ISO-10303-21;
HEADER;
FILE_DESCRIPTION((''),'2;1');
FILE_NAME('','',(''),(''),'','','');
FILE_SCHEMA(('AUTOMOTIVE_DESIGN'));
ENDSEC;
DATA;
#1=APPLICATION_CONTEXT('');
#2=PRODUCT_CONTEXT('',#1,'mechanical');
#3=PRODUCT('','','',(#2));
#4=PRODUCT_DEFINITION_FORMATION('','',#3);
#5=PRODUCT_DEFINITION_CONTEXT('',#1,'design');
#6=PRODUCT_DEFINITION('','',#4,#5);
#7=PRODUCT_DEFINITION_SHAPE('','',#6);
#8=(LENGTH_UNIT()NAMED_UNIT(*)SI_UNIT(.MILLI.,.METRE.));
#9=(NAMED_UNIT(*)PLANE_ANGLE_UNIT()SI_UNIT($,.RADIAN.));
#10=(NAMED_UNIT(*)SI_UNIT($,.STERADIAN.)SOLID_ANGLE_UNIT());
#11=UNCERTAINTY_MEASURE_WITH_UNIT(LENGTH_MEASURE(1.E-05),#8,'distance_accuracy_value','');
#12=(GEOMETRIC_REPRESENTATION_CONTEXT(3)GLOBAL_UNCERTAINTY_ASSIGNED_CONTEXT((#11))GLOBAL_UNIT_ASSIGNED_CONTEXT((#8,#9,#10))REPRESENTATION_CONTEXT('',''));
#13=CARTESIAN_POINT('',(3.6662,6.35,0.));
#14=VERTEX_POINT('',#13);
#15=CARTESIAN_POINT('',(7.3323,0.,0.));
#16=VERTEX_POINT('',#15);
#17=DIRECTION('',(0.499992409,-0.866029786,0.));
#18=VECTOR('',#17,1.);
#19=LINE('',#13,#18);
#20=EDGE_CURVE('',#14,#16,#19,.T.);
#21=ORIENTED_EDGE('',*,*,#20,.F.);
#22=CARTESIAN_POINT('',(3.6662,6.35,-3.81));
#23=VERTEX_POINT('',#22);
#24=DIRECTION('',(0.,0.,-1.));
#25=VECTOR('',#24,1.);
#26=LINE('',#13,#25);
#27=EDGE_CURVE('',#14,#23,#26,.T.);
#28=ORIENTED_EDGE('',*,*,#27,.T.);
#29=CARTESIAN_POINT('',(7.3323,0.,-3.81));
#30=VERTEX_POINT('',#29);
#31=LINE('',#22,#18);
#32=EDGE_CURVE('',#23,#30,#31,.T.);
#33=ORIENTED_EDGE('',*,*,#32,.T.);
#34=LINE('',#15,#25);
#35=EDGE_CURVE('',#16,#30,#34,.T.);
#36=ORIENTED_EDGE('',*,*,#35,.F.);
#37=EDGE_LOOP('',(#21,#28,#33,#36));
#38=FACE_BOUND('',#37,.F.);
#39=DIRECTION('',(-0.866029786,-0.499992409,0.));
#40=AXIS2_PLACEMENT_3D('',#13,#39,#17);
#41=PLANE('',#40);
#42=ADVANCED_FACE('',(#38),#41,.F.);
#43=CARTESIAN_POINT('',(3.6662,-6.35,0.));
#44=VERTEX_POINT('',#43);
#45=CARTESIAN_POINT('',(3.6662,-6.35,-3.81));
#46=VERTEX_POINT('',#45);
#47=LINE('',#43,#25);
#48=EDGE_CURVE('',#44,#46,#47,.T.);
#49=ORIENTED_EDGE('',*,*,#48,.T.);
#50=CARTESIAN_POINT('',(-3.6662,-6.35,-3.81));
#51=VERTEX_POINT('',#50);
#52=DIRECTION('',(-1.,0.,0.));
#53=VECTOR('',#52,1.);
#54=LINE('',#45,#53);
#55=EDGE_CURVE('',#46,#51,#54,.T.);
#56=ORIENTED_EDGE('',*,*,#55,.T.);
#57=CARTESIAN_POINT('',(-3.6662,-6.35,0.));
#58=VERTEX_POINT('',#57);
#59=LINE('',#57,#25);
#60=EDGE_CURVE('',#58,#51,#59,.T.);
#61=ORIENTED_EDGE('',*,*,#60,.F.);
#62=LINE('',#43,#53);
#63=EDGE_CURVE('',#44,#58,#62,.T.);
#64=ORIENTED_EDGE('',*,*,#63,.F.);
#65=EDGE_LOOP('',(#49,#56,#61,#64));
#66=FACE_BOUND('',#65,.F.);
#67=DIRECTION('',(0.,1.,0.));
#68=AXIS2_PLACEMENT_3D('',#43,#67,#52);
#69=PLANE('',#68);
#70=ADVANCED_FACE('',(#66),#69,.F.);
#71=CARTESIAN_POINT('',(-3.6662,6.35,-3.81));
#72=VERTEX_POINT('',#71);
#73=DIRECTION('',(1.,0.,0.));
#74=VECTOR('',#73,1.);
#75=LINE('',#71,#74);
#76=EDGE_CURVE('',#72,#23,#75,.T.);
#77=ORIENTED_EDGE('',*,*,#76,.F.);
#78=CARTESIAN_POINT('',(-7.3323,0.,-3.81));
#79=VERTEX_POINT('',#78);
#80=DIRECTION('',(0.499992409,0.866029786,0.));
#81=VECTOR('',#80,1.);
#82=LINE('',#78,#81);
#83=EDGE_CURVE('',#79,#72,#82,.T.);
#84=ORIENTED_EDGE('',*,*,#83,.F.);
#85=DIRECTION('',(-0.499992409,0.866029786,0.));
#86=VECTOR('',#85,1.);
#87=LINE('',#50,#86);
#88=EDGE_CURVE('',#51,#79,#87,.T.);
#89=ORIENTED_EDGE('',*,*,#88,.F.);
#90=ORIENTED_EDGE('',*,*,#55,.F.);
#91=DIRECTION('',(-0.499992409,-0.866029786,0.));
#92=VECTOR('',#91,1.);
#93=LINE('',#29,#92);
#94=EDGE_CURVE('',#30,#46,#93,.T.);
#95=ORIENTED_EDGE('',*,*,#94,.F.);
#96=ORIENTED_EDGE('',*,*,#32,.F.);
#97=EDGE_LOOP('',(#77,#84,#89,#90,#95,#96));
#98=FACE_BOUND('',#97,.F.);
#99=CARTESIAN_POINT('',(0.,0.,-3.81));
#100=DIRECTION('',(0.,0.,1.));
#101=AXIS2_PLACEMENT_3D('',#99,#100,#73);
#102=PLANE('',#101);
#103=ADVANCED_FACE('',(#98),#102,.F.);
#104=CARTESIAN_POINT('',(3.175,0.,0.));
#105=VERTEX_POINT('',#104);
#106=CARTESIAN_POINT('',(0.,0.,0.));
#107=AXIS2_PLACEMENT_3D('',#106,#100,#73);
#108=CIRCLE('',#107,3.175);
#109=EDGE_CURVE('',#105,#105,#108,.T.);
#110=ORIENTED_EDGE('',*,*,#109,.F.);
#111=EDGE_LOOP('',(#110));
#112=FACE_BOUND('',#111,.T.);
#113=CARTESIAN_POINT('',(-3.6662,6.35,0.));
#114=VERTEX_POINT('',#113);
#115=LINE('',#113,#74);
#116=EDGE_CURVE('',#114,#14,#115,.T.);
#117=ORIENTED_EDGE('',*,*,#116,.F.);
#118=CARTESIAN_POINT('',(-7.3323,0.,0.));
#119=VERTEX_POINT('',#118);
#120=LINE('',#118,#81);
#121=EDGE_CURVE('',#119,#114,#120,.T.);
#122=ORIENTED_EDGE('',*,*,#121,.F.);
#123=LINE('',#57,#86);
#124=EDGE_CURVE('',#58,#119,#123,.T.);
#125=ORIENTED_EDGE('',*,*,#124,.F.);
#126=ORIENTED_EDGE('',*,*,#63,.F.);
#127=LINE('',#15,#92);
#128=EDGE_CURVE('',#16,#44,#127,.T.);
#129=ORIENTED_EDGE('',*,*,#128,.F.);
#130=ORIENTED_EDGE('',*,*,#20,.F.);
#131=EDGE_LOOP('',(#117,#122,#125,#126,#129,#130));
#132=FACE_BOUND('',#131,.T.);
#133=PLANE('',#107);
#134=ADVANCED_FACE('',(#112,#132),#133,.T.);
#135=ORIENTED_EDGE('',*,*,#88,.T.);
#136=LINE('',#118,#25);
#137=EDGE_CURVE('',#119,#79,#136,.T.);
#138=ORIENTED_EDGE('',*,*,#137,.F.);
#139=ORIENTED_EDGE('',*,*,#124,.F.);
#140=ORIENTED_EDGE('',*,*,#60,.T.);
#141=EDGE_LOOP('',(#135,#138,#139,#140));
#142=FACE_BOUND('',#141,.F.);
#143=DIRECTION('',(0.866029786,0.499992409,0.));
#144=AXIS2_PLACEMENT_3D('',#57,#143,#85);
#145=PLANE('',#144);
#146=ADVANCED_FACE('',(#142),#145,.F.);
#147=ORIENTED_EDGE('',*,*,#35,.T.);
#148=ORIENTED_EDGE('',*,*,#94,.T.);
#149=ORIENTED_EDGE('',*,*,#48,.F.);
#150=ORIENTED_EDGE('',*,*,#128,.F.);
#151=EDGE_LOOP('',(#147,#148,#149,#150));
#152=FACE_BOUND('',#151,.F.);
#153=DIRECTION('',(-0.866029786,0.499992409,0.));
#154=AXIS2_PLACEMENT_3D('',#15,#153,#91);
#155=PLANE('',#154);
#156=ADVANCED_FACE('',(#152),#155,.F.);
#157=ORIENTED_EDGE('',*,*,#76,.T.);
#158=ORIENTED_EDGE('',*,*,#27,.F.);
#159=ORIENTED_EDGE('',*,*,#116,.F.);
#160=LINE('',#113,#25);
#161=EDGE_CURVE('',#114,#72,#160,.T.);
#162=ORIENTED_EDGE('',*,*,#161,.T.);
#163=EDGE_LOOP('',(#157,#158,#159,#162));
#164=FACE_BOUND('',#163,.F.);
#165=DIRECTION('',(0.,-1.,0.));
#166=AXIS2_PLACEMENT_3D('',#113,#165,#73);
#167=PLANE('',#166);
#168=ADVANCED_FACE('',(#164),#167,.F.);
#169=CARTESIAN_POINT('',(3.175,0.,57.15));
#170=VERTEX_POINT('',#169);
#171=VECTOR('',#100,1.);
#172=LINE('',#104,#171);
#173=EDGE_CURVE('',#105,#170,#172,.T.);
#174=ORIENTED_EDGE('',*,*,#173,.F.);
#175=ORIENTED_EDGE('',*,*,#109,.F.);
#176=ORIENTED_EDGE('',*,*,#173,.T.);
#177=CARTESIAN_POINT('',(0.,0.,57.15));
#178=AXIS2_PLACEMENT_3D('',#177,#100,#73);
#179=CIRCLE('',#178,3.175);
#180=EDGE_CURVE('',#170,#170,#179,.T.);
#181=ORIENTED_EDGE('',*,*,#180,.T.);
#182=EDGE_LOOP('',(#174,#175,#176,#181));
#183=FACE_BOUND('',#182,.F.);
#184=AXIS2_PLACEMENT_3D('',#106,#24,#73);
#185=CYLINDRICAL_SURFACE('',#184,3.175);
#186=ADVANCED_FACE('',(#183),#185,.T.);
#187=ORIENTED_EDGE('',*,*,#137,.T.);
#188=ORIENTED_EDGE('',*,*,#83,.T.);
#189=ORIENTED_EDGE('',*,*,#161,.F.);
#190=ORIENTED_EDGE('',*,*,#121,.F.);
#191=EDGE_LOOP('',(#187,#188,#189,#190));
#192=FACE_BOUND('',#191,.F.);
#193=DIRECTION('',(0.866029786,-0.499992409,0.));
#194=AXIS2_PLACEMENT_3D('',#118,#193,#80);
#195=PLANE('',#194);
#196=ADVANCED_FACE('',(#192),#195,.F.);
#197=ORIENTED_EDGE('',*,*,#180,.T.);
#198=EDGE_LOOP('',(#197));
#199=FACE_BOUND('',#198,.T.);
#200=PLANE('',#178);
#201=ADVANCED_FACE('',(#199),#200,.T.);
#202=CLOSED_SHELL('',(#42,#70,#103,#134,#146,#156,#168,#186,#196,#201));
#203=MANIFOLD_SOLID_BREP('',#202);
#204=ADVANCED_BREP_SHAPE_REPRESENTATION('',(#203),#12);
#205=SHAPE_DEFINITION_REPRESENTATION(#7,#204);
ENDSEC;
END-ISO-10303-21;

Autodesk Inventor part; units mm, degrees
ref_plane "YZ Plane" through (0, 0, 0) normal (1, 0, 0) x (0, 1, 0)
ref_plane "XZ Plane" through (0, 0, 0) normal (0, 1, 0) x (-1, 0, 0)
ref_plane "XY Plane" through (0, 0, 0) normal (0, 0, 1) x (1, 0, 0)
sketch "Sketch1" plane through (0, 0, 0) normal (0, 0, 1) x (1, 0, 0)
  line L0 (-7.3323, 0) -> (-3.6662, 6.35)
  line L1 (-3.6662, 6.35) -> (3.6662, 6.35)
  line L2 (3.6662, 6.35) -> (7.3323, 0)
  line L3 (7.3323, 0) -> (3.6662, -6.35)
  line L4 (3.6662, -6.35) -> (-3.6662, -6.35)
  line L5 (-3.6662, -6.35) -> (-7.3323, 0)
  point P0 (0, 0)
  point P1 (0, 0)
  dimension "d0" = 12.7
extrude "Extrusion1" add sketch "Sketch1" against normal blind 3.81
sketch "Sketch2" plane through (0, 0, 0) normal (0, 0, 1) x (1, 0, 0)
  circle A0 centre (0, 0) radius 3.175
  dimension "d3" = 6.35
extrude "Extrusion2" add sketch "Sketch2" along normal blind 57.15
thread "Thread1" size "1/4-20 UNC" class "2A" standard "ANSI Unified Screw Threads" length 25.4
properties part number "LucasCharles Part7 bolt for height Final" material "Stainless Steel, Austenitic"
